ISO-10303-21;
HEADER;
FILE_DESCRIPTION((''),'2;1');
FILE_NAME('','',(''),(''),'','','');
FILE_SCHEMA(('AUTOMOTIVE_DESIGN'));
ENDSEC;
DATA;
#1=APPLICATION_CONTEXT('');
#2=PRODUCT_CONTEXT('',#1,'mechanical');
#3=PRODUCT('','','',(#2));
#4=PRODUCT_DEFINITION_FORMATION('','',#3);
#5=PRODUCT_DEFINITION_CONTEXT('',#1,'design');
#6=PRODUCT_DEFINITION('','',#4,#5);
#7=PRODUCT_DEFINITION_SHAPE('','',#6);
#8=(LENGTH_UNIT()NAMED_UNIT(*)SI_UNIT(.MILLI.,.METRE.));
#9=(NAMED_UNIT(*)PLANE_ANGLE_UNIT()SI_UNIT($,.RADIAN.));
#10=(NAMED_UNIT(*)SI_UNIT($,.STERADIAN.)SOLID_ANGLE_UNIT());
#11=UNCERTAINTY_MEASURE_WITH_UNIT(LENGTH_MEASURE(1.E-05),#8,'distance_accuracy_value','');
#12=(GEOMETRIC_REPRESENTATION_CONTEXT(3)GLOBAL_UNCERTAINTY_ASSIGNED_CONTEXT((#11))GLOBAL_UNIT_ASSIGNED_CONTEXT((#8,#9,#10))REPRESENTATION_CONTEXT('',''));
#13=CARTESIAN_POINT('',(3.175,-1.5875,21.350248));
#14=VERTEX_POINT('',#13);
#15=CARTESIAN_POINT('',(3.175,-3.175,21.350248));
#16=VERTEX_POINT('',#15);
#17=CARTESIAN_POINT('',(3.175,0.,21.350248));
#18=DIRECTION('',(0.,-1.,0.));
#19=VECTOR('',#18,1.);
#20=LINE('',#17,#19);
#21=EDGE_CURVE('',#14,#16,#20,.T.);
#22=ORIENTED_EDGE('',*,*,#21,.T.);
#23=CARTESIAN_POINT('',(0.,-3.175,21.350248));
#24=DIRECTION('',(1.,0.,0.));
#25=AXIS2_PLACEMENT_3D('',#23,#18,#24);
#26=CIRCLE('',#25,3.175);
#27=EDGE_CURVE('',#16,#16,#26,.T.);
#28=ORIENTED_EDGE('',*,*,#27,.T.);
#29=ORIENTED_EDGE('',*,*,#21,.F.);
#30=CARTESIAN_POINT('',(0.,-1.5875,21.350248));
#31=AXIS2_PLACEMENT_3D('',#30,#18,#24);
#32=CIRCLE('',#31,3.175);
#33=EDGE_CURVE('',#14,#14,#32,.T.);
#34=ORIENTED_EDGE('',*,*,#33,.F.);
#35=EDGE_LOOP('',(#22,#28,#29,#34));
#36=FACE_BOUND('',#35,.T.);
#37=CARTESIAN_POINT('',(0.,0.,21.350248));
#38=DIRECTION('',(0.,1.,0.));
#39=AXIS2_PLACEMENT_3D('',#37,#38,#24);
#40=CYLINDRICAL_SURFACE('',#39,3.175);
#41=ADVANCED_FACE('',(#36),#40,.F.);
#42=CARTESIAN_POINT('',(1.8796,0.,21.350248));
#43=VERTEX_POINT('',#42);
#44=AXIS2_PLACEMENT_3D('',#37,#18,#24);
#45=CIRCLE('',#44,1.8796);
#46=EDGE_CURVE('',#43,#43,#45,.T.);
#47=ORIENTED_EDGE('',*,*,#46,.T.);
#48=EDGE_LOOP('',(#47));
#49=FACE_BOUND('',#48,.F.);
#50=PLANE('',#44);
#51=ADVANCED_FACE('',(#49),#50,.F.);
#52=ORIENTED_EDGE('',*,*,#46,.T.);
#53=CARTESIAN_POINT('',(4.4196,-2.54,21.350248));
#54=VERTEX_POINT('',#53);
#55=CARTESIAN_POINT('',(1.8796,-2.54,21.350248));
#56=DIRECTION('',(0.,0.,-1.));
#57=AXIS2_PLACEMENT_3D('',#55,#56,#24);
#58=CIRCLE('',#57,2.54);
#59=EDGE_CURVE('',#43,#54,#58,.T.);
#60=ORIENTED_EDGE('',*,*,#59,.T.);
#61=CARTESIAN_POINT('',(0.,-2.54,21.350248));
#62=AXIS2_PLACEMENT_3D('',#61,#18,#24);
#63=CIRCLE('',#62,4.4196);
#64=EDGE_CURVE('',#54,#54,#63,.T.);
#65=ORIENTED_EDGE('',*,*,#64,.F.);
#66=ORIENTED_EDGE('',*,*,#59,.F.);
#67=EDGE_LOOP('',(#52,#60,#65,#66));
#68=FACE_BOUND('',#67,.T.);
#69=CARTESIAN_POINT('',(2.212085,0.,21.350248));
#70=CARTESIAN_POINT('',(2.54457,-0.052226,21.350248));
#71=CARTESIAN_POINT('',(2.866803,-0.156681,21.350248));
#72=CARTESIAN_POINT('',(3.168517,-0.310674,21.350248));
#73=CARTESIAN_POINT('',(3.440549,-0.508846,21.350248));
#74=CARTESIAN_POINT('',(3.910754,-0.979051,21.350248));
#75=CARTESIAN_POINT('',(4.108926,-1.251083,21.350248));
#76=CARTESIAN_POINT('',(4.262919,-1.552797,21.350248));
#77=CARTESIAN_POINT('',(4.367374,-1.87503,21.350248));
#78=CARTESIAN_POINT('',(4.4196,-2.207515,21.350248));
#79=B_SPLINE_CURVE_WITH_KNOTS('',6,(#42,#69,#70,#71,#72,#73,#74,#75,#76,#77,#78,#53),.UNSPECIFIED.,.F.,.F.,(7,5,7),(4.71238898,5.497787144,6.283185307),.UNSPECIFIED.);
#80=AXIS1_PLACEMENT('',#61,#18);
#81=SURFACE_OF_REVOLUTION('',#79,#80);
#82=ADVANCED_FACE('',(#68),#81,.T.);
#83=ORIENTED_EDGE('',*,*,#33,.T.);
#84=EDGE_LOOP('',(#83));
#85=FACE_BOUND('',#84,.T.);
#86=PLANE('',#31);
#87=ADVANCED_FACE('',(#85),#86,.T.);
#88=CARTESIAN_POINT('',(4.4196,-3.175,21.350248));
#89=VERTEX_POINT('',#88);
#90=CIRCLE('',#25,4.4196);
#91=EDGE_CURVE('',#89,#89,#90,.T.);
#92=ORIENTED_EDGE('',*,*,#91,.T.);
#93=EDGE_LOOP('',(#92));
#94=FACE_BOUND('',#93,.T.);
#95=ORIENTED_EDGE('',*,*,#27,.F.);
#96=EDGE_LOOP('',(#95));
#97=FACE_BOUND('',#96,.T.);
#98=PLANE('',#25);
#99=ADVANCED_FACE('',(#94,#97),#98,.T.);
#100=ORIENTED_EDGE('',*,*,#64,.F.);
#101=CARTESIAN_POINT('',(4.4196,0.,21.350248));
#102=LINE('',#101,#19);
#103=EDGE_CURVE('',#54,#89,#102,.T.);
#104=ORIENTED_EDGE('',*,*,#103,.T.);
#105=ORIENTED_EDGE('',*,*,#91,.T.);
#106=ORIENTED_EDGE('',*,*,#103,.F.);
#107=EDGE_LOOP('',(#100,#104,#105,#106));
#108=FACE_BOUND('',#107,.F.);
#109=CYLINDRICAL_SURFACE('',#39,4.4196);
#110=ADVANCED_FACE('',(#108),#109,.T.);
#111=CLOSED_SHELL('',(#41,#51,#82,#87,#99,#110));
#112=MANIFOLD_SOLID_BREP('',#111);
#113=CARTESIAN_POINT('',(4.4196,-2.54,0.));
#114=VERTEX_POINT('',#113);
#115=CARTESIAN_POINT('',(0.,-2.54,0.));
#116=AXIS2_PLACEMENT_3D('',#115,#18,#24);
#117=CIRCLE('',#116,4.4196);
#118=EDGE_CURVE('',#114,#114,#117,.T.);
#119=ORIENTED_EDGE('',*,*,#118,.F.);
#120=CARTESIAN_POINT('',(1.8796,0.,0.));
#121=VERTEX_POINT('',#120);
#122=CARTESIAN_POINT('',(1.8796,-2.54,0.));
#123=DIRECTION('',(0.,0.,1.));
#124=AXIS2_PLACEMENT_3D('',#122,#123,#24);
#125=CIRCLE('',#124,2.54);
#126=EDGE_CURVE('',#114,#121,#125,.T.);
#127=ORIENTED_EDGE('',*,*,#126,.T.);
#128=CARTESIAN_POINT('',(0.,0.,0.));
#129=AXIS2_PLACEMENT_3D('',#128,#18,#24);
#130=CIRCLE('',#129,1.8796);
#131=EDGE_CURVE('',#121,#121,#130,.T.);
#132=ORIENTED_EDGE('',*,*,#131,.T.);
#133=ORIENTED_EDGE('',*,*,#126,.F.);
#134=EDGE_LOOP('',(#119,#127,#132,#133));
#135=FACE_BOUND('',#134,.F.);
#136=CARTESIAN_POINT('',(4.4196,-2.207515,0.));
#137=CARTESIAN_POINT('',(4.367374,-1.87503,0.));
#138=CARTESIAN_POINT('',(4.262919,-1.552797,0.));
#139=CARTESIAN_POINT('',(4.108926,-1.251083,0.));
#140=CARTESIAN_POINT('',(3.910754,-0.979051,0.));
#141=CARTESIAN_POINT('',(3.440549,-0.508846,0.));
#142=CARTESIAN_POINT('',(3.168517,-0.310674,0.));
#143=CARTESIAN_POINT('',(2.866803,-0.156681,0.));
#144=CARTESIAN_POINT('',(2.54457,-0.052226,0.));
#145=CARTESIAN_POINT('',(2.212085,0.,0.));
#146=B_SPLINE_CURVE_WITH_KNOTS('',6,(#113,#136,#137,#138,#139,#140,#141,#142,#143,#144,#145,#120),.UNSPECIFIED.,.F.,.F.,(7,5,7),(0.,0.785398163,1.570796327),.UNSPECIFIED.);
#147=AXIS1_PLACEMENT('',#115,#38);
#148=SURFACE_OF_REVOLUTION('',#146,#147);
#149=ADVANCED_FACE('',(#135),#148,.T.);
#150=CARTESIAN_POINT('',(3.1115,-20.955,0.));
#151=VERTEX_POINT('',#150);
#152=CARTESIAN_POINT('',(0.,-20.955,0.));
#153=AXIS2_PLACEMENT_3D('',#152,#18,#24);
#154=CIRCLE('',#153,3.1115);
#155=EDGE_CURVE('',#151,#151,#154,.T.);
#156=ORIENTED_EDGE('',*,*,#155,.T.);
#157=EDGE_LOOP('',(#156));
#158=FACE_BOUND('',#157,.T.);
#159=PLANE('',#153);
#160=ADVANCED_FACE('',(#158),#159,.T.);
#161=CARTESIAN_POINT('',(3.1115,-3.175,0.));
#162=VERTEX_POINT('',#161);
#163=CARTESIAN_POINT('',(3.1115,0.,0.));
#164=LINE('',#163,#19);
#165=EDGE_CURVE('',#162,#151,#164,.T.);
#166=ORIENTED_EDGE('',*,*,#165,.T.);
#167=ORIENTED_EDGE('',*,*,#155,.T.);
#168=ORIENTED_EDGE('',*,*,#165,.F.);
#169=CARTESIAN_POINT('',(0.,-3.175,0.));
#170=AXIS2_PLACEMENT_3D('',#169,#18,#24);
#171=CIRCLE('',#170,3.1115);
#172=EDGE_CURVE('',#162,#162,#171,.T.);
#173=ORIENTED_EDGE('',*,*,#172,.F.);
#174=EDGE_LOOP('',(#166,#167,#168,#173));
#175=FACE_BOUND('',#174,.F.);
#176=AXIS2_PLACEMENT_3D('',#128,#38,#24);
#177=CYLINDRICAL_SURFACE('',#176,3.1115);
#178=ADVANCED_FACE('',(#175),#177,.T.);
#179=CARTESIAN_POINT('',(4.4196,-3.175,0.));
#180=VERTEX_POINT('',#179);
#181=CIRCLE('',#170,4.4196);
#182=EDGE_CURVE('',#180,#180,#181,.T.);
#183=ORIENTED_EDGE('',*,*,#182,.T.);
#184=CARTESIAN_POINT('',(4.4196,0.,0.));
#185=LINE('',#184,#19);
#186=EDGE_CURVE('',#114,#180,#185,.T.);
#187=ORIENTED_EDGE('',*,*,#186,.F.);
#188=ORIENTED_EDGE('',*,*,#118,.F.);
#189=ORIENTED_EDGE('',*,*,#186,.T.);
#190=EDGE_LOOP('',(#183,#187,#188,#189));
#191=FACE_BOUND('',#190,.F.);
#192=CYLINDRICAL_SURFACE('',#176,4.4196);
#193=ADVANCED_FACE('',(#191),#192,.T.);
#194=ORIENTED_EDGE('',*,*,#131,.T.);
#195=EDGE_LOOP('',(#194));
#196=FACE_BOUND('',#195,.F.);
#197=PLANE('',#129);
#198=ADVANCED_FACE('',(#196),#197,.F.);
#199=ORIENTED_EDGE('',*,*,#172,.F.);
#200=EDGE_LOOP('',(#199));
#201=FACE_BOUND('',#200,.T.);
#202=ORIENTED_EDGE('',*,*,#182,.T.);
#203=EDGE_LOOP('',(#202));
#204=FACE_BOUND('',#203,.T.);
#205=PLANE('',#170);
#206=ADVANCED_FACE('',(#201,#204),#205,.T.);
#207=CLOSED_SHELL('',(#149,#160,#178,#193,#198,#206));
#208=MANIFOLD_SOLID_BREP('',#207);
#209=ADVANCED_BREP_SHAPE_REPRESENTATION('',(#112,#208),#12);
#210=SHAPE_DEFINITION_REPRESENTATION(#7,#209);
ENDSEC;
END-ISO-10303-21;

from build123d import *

# Parameters (mm, degrees)
F0_R     = 3.1115
F1_DEPTH = 20.955
F0_R_2   = 4.4196
F2_DEPTH = 3.175
F3_R     = 2.54
F0_R_3   = 3.175
F4_DEPTH = 3.175
F5_DEPTH = 1.5875
F6_R     = 2.54


with BuildPart() as f1:
    # F0 (on Front) → F1 (new body)
    with BuildSketch(Plane.XZ):
        Circle(F0_R)
    extrude(amount=F1_DEPTH)

    # F0 (on Front) → F2 (join)
    with BuildSketch(Plane.XZ):
        Circle(F0_R_2)
        Circle(F0_R, mode=Mode.SUBTRACT)
    extrude(amount=F2_DEPTH)

    # F3
    f3_edges = [f1.edges().sort_by_distance(p)[0] for p in [
        (-4.4196, 0, 0),
    ]]
    fillet(f3_edges, radius=F3_R)


with BuildPart() as f4:
    # F0 (on Front) → F4 (new body)
    with BuildSketch(Plane.XZ):
        with Locations((0, 21.350248)):
            Circle(F0_R_2)
        with Locations((0, 21.350248)):
            Circle(F0_R_3, mode=Mode.SUBTRACT)
    extrude(amount=F4_DEPTH)

    # F0 (on Front) → F5 (join)
    with BuildSketch(Plane.XZ):
        with Locations((0, 21.350248)):
            Circle(F0_R_3)
    extrude(amount=F5_DEPTH)

    # F6
    f6_edges = [f4.edges().sort_by_distance(p)[0] for p in [
        (-4.4196, 0, 21.350248),
    ]]
    fillet(f6_edges, radius=F6_R)


solid = Compound([f1.part, f4.part])
